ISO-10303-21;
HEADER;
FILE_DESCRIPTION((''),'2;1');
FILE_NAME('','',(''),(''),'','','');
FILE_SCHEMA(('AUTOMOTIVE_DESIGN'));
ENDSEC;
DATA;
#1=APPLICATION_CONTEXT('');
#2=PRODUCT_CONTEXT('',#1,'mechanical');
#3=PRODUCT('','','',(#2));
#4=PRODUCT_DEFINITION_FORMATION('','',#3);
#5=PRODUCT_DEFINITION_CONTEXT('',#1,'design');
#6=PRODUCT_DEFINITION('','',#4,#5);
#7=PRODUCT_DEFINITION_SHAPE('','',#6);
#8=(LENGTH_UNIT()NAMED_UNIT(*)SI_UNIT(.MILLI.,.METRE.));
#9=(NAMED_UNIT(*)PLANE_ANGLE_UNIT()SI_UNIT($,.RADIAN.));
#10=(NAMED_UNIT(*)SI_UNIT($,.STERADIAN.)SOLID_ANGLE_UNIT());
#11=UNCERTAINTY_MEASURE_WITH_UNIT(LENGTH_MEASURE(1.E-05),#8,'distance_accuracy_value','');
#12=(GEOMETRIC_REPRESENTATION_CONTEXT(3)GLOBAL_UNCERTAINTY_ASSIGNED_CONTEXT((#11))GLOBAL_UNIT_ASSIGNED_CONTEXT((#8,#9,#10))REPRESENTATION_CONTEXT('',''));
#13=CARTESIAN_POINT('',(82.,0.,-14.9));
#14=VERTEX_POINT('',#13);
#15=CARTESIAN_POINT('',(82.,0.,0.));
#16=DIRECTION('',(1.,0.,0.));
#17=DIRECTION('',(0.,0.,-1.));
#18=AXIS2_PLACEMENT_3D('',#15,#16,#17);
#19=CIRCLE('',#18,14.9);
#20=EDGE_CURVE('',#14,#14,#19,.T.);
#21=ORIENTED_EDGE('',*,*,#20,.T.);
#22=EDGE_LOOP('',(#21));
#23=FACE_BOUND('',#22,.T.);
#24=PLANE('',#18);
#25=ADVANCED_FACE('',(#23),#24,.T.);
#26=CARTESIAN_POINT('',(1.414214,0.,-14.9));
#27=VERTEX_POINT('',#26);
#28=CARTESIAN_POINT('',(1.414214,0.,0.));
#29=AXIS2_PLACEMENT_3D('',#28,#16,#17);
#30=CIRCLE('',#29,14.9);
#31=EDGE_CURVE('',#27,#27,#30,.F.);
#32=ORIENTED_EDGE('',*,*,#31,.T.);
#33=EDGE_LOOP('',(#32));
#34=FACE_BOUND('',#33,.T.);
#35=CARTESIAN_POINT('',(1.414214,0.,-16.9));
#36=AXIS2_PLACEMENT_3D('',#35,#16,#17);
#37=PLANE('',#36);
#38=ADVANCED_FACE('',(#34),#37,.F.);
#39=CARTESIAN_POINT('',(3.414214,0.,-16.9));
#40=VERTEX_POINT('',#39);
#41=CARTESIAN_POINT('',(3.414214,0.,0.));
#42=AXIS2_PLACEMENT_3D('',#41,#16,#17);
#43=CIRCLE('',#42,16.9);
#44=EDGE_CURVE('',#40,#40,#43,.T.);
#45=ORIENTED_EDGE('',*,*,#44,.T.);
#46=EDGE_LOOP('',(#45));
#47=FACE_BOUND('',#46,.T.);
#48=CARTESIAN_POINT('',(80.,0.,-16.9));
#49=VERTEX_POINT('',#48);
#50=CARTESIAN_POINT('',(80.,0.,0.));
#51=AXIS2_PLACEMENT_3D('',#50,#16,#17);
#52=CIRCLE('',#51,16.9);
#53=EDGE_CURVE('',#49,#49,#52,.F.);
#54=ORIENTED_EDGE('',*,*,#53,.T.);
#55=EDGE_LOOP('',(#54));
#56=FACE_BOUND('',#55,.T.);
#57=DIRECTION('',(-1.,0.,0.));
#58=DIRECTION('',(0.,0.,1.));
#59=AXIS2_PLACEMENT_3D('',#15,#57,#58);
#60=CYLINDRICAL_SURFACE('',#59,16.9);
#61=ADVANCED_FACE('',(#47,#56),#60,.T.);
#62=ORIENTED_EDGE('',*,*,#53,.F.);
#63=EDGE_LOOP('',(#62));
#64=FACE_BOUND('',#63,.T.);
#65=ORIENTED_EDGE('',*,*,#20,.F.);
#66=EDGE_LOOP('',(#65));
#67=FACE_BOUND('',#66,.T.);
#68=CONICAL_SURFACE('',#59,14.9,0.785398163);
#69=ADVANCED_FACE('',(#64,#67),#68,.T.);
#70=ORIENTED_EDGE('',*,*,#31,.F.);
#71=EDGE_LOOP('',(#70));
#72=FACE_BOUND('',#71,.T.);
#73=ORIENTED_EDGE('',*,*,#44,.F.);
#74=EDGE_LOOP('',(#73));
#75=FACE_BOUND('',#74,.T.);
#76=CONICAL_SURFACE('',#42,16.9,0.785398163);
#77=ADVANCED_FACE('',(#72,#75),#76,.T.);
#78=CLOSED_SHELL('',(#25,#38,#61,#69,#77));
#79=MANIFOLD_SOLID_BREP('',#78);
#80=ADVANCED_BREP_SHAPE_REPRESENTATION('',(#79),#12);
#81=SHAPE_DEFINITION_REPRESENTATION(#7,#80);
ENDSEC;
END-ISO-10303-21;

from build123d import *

# Parameters (mm, degrees)
SKETCH14_R          = 16.9
BOSS_EXTRUDE1_DEPTH = 82
CHAMFER1_SIZE       = 2


with BuildPart() as part:
    # Sketch14 → Boss-Extrude1 (new body)
    with BuildSketch(Plane(origin=(0, 0, 0), x_dir=(0, 0, -1), z_dir=(1, 0, 0))):
        Circle(SKETCH14_R)
    extrude(amount=BOSS_EXTRUDE1_DEPTH)

    # Sketch16 → Cut-Revolve4 (revolve, cut)
    with BuildSketch(Plane(origin=(0, 0, 0), x_dir=(1, 0, 0), z_dir=(0, 1, 0))):
        Polygon((1.414213562, 16.9), (1.414213562, 0), (0, 0), (0, 15.485786438), align=None)
    revolve(axis=Axis((82, 0, 0), (-1, 0, 0)), mode=Mode.SUBTRACT)


with BuildPart() as body_2:
    # of the pieces the cut leaves, the one that is kept (cut_revolve4_keep)
    add(part.part.solids().sort_by_distance((82, 0, -16.9))[0])

    # Chamfer1
    chamfer1_edges = [body_2.edges().sort_by_distance(p)[0] for p in [
        (82, 0, 16.9),
        (1.414213562, 0, 16.9),
    ]]
    chamfer(chamfer1_edges, length=CHAMFER1_SIZE)


solid = body_2.part
